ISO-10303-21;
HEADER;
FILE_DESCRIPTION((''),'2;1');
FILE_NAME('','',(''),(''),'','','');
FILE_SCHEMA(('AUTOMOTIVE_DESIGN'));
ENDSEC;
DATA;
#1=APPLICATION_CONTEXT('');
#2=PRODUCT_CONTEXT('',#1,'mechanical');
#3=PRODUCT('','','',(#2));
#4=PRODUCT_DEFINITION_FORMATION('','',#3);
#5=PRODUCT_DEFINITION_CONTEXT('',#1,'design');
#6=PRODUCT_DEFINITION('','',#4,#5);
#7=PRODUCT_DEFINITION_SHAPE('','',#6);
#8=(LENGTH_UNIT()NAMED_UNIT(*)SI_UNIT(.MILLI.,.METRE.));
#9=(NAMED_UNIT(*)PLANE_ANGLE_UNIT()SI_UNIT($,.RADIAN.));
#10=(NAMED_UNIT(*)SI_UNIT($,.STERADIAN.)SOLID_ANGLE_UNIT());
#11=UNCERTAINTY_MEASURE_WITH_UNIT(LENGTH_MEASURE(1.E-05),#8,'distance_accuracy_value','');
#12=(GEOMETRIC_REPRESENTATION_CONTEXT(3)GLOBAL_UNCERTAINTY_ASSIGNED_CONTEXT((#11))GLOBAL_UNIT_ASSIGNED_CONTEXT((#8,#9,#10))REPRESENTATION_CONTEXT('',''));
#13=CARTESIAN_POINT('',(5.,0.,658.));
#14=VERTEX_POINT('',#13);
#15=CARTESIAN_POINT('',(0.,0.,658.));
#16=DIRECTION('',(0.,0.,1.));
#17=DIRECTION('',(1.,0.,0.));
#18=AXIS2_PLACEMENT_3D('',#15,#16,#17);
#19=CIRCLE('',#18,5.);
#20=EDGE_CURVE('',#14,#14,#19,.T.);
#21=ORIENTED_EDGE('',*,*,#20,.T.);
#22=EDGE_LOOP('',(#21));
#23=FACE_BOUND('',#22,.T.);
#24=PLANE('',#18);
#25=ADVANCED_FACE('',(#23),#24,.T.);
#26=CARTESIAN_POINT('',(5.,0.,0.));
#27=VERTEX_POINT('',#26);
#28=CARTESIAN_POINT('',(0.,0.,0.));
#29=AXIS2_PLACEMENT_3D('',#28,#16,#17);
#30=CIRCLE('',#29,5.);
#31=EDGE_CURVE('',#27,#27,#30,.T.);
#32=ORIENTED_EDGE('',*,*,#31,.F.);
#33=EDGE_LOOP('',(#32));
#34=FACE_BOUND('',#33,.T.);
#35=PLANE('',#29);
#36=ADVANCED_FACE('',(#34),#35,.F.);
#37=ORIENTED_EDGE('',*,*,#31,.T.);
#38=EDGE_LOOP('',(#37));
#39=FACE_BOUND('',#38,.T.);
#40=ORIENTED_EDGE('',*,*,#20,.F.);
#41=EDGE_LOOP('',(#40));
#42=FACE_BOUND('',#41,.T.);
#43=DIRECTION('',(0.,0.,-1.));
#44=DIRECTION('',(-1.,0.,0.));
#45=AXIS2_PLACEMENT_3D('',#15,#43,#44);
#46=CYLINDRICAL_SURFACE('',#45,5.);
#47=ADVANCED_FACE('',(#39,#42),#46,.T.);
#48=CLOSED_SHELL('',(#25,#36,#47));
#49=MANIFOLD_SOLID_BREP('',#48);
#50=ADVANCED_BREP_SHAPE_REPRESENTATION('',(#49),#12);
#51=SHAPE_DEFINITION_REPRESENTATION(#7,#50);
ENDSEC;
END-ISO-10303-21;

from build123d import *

# Parameters (mm, degrees)
ESQUISSE1_R        = 5
BOSS_EXTRU_1_DEPTH = 658


with BuildPart() as part:
    # Esquisse1 → Boss.-Extru.1 (new body)
    with BuildSketch(Plane.XY):
        Circle(ESQUISSE1_R)
    extrude(amount=BOSS_EXTRU_1_DEPTH)


solid = part.part
